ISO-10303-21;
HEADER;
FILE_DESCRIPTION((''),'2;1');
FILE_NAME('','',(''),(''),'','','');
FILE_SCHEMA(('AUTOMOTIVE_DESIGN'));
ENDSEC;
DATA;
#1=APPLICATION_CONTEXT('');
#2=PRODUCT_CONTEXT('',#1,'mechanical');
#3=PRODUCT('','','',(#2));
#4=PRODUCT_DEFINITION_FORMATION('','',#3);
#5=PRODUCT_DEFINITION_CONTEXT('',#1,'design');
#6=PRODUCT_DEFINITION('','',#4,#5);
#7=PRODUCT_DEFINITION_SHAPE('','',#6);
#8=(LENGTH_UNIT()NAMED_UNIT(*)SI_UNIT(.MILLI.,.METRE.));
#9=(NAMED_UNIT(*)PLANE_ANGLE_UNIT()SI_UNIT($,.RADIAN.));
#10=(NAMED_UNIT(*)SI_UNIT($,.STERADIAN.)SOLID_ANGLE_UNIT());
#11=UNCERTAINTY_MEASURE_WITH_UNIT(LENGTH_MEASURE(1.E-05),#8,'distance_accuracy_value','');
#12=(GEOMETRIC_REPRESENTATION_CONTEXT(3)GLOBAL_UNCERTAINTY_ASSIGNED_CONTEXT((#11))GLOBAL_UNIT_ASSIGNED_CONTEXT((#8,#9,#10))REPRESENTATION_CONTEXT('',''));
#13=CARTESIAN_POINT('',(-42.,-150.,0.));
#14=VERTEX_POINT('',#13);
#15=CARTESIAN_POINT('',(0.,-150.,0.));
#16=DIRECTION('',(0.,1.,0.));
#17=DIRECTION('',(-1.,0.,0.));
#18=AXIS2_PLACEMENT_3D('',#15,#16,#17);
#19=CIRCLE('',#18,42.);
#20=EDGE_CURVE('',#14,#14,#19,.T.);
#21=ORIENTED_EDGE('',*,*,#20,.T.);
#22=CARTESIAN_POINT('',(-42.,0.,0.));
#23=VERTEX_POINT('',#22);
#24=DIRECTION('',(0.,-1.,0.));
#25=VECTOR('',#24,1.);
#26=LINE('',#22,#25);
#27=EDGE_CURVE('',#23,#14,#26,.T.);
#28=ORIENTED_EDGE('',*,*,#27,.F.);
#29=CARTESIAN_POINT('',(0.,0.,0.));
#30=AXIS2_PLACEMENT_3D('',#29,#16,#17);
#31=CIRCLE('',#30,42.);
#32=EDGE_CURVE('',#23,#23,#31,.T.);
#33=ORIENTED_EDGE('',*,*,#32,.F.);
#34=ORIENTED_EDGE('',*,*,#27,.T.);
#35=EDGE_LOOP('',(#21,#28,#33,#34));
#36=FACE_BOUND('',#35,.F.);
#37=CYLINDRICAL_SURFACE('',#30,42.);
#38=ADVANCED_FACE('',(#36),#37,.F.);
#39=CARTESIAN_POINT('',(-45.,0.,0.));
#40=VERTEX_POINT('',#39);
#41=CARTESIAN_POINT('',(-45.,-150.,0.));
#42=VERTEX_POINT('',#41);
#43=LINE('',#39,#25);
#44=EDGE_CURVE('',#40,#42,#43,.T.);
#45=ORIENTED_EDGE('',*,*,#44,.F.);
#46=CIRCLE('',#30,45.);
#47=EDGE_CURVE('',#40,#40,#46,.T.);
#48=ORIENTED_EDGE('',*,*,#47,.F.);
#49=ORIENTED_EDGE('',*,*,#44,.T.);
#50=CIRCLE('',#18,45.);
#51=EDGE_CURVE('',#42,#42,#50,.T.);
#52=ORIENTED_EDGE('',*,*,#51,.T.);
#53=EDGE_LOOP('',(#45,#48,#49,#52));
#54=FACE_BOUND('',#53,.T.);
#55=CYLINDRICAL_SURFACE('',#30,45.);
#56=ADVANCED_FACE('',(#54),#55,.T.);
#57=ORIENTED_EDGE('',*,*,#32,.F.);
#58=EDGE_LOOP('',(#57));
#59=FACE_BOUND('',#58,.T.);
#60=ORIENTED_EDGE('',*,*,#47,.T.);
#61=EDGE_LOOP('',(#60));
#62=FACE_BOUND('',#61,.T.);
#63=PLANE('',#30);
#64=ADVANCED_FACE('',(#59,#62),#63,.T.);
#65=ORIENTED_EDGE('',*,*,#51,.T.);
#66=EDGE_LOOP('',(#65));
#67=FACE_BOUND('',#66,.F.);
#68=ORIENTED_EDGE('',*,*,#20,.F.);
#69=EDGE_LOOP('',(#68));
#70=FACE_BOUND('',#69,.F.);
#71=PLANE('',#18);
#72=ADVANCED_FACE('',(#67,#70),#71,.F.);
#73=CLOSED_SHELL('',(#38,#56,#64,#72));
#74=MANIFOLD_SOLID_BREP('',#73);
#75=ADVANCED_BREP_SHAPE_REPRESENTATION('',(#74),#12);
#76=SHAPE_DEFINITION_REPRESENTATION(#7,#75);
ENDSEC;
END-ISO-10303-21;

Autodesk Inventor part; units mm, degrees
ref_plane "YZ Plane" through (0, 0, 0) normal (1, 0, 0) x (0, 1, 0)
ref_plane "XZ Plane" through (0, 0, 0) normal (0, 1, 0) x (-1, 0, 0)
ref_plane "XY Plane" through (0, 0, 0) normal (0, 0, 1) x (1, 0, 0)
sketch "Sketch1" plane through (0, 0, 0) normal (0, 1, 0) x (-1, 0, 0)
  circle A0 centre (0, 0) radius 45
  circle A1 centre (0, 0) radius 42
  dimension "d0" = 90
  dimension "d1" = 3
extrude "Extrusion1" add sketch "Sketch1" against normal blind 150
properties part number "PRS 1614 FDS tube 4_940"
